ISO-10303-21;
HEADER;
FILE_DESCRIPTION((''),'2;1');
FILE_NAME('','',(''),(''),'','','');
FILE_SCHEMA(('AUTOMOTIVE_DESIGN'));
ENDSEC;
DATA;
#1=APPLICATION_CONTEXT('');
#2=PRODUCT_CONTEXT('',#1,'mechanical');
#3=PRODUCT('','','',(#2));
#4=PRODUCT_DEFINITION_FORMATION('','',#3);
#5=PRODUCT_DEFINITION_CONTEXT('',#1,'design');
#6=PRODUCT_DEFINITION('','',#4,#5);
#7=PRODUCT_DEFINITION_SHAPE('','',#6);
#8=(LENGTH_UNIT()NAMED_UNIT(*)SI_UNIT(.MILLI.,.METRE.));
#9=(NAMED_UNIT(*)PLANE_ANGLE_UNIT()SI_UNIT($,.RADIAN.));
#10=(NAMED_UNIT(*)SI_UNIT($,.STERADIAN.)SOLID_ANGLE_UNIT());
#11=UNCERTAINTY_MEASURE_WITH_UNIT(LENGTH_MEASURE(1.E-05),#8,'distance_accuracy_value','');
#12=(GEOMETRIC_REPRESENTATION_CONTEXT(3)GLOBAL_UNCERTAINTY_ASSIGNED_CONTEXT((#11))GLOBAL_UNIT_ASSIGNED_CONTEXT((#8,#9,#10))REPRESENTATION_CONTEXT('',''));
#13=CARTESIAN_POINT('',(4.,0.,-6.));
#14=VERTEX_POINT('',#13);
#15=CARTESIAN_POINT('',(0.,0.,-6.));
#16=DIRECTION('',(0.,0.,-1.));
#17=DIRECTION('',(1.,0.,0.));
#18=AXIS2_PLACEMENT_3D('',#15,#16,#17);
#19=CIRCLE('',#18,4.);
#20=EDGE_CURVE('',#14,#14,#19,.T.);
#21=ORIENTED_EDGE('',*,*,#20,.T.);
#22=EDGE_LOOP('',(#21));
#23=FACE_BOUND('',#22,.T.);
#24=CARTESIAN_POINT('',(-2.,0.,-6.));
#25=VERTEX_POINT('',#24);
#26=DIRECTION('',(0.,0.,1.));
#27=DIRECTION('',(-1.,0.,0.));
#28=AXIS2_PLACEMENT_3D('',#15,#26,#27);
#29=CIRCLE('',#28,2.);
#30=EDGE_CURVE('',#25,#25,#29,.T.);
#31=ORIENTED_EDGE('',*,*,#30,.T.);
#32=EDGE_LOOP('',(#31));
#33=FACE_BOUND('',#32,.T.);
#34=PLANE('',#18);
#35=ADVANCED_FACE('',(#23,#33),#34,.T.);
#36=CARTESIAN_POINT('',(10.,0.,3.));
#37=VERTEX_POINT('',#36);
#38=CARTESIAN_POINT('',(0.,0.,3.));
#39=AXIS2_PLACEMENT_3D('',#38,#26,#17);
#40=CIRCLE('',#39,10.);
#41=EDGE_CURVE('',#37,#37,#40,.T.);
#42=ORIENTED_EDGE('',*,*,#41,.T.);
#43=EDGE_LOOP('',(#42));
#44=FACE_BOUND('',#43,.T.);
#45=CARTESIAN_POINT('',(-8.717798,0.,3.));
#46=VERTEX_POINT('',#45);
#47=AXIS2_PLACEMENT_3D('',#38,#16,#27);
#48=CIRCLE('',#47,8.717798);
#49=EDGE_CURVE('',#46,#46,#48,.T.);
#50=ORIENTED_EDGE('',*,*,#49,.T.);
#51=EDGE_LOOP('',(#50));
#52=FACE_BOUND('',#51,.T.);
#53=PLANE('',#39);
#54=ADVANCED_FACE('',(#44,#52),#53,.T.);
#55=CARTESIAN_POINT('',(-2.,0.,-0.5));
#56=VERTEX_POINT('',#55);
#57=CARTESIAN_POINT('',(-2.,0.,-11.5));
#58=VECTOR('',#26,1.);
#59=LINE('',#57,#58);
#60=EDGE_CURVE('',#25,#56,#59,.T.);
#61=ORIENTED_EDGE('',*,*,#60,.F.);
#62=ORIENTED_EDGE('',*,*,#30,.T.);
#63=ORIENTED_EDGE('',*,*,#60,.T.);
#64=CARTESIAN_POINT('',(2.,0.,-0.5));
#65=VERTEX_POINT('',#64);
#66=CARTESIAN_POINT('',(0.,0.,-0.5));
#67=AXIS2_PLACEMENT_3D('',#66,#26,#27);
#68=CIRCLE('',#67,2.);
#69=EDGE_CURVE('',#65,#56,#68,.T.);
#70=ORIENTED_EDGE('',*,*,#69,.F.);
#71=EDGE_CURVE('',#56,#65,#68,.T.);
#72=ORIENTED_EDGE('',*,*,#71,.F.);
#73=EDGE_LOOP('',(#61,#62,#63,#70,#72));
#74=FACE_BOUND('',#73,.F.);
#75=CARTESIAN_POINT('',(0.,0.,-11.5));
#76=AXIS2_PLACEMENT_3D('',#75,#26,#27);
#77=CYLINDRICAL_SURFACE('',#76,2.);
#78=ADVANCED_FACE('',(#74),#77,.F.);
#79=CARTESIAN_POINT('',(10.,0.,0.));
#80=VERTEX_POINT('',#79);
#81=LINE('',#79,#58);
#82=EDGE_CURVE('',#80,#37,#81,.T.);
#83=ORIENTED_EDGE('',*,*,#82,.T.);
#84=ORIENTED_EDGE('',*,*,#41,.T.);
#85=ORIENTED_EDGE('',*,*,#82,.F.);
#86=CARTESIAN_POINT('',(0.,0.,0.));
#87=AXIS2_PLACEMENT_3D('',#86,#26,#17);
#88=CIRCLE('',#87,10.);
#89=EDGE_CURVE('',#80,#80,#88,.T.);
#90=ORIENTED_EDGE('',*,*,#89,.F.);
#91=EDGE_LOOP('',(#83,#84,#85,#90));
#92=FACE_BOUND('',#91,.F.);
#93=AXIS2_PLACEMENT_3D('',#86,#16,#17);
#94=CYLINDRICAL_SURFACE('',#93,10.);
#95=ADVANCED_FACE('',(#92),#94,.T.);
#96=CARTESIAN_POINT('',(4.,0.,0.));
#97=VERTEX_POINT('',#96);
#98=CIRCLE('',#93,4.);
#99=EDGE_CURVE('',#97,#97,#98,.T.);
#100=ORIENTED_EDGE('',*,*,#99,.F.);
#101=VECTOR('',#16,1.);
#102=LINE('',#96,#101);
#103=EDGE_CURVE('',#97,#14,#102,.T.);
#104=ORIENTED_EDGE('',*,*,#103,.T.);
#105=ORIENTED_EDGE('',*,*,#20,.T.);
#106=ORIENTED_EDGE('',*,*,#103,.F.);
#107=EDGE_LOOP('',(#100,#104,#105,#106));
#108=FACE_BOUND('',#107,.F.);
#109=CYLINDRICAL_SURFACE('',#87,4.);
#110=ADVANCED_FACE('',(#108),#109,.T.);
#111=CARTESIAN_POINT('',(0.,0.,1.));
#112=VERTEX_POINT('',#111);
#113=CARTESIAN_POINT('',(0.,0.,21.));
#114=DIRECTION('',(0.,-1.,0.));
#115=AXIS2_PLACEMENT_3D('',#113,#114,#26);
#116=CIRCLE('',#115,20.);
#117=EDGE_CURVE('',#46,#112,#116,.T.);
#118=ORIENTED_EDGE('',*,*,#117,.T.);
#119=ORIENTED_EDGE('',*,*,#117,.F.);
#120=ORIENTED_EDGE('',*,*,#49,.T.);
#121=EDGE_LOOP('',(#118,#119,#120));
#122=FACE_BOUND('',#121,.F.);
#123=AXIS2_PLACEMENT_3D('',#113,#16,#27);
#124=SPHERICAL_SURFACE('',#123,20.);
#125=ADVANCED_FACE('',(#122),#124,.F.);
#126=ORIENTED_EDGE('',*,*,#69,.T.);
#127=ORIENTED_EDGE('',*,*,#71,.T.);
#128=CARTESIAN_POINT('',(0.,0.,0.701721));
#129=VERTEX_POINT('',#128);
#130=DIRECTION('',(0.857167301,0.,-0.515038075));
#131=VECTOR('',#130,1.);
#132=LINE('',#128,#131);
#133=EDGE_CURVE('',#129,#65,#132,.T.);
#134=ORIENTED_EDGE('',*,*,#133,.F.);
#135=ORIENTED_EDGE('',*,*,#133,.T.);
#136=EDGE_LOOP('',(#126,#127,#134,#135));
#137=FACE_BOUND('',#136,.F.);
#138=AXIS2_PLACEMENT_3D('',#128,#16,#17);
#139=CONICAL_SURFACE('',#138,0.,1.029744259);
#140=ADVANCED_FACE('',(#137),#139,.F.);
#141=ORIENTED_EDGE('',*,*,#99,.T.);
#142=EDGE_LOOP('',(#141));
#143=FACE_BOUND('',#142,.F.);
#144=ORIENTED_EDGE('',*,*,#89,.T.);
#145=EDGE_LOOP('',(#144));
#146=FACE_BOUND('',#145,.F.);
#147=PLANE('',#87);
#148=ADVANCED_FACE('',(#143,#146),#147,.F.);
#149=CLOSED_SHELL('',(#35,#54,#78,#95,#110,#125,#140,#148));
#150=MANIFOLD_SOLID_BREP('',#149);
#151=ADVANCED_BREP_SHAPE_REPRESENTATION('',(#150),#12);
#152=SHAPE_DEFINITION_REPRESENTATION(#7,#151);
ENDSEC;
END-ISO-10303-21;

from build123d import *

# Parameters (mm, degrees)
F0_R     = 10
F1_DEPTH = 3
F4_R     = 4
F5_DEPTH = 6
F7_D     = 4
F7_DEPTH = 5.5
F7_TIP   = 1.2017212381


with BuildPart() as f1:
    # F0 (on Top) → F1 (new body)
    with BuildSketch(Plane.XY):
        Circle(F0_R)
    extrude(amount=F1_DEPTH)

    # F2 (on Front) → F3 (revolve, cut)
    with BuildSketch(Plane.XZ):
        with BuildLine():
            Line((0, 1), (0, 41))
            ThreePointArc((0, 41), (-20, 21), (0, 1))
        make_face()
    revolve(axis=Axis((0, 0, 27.4340542965), (0, 0, -1)), mode=Mode.SUBTRACT)

    # F4 (on face) → F5 (join)
    with BuildSketch(Plane(origin=(0, 0, 0), x_dir=(1, 0, 0), z_dir=(0, 0, -1))):
        Circle(F4_R)
    extrude(amount=F5_DEPTH)

    # F7
    with Locations(Plane(origin=(0, 0, -6), x_dir=(1, 0, 0), z_dir=(0, 0, -1))):
        with Locations((0, 0)):
            Hole(F7_D / 2, depth=F7_DEPTH)
            with Locations((0, 0, -(F7_DEPTH + F7_TIP / 2))):  # 118° drill point
                Cone(0, F7_D / 2, F7_TIP, mode=Mode.SUBTRACT)


solid = f1.part
